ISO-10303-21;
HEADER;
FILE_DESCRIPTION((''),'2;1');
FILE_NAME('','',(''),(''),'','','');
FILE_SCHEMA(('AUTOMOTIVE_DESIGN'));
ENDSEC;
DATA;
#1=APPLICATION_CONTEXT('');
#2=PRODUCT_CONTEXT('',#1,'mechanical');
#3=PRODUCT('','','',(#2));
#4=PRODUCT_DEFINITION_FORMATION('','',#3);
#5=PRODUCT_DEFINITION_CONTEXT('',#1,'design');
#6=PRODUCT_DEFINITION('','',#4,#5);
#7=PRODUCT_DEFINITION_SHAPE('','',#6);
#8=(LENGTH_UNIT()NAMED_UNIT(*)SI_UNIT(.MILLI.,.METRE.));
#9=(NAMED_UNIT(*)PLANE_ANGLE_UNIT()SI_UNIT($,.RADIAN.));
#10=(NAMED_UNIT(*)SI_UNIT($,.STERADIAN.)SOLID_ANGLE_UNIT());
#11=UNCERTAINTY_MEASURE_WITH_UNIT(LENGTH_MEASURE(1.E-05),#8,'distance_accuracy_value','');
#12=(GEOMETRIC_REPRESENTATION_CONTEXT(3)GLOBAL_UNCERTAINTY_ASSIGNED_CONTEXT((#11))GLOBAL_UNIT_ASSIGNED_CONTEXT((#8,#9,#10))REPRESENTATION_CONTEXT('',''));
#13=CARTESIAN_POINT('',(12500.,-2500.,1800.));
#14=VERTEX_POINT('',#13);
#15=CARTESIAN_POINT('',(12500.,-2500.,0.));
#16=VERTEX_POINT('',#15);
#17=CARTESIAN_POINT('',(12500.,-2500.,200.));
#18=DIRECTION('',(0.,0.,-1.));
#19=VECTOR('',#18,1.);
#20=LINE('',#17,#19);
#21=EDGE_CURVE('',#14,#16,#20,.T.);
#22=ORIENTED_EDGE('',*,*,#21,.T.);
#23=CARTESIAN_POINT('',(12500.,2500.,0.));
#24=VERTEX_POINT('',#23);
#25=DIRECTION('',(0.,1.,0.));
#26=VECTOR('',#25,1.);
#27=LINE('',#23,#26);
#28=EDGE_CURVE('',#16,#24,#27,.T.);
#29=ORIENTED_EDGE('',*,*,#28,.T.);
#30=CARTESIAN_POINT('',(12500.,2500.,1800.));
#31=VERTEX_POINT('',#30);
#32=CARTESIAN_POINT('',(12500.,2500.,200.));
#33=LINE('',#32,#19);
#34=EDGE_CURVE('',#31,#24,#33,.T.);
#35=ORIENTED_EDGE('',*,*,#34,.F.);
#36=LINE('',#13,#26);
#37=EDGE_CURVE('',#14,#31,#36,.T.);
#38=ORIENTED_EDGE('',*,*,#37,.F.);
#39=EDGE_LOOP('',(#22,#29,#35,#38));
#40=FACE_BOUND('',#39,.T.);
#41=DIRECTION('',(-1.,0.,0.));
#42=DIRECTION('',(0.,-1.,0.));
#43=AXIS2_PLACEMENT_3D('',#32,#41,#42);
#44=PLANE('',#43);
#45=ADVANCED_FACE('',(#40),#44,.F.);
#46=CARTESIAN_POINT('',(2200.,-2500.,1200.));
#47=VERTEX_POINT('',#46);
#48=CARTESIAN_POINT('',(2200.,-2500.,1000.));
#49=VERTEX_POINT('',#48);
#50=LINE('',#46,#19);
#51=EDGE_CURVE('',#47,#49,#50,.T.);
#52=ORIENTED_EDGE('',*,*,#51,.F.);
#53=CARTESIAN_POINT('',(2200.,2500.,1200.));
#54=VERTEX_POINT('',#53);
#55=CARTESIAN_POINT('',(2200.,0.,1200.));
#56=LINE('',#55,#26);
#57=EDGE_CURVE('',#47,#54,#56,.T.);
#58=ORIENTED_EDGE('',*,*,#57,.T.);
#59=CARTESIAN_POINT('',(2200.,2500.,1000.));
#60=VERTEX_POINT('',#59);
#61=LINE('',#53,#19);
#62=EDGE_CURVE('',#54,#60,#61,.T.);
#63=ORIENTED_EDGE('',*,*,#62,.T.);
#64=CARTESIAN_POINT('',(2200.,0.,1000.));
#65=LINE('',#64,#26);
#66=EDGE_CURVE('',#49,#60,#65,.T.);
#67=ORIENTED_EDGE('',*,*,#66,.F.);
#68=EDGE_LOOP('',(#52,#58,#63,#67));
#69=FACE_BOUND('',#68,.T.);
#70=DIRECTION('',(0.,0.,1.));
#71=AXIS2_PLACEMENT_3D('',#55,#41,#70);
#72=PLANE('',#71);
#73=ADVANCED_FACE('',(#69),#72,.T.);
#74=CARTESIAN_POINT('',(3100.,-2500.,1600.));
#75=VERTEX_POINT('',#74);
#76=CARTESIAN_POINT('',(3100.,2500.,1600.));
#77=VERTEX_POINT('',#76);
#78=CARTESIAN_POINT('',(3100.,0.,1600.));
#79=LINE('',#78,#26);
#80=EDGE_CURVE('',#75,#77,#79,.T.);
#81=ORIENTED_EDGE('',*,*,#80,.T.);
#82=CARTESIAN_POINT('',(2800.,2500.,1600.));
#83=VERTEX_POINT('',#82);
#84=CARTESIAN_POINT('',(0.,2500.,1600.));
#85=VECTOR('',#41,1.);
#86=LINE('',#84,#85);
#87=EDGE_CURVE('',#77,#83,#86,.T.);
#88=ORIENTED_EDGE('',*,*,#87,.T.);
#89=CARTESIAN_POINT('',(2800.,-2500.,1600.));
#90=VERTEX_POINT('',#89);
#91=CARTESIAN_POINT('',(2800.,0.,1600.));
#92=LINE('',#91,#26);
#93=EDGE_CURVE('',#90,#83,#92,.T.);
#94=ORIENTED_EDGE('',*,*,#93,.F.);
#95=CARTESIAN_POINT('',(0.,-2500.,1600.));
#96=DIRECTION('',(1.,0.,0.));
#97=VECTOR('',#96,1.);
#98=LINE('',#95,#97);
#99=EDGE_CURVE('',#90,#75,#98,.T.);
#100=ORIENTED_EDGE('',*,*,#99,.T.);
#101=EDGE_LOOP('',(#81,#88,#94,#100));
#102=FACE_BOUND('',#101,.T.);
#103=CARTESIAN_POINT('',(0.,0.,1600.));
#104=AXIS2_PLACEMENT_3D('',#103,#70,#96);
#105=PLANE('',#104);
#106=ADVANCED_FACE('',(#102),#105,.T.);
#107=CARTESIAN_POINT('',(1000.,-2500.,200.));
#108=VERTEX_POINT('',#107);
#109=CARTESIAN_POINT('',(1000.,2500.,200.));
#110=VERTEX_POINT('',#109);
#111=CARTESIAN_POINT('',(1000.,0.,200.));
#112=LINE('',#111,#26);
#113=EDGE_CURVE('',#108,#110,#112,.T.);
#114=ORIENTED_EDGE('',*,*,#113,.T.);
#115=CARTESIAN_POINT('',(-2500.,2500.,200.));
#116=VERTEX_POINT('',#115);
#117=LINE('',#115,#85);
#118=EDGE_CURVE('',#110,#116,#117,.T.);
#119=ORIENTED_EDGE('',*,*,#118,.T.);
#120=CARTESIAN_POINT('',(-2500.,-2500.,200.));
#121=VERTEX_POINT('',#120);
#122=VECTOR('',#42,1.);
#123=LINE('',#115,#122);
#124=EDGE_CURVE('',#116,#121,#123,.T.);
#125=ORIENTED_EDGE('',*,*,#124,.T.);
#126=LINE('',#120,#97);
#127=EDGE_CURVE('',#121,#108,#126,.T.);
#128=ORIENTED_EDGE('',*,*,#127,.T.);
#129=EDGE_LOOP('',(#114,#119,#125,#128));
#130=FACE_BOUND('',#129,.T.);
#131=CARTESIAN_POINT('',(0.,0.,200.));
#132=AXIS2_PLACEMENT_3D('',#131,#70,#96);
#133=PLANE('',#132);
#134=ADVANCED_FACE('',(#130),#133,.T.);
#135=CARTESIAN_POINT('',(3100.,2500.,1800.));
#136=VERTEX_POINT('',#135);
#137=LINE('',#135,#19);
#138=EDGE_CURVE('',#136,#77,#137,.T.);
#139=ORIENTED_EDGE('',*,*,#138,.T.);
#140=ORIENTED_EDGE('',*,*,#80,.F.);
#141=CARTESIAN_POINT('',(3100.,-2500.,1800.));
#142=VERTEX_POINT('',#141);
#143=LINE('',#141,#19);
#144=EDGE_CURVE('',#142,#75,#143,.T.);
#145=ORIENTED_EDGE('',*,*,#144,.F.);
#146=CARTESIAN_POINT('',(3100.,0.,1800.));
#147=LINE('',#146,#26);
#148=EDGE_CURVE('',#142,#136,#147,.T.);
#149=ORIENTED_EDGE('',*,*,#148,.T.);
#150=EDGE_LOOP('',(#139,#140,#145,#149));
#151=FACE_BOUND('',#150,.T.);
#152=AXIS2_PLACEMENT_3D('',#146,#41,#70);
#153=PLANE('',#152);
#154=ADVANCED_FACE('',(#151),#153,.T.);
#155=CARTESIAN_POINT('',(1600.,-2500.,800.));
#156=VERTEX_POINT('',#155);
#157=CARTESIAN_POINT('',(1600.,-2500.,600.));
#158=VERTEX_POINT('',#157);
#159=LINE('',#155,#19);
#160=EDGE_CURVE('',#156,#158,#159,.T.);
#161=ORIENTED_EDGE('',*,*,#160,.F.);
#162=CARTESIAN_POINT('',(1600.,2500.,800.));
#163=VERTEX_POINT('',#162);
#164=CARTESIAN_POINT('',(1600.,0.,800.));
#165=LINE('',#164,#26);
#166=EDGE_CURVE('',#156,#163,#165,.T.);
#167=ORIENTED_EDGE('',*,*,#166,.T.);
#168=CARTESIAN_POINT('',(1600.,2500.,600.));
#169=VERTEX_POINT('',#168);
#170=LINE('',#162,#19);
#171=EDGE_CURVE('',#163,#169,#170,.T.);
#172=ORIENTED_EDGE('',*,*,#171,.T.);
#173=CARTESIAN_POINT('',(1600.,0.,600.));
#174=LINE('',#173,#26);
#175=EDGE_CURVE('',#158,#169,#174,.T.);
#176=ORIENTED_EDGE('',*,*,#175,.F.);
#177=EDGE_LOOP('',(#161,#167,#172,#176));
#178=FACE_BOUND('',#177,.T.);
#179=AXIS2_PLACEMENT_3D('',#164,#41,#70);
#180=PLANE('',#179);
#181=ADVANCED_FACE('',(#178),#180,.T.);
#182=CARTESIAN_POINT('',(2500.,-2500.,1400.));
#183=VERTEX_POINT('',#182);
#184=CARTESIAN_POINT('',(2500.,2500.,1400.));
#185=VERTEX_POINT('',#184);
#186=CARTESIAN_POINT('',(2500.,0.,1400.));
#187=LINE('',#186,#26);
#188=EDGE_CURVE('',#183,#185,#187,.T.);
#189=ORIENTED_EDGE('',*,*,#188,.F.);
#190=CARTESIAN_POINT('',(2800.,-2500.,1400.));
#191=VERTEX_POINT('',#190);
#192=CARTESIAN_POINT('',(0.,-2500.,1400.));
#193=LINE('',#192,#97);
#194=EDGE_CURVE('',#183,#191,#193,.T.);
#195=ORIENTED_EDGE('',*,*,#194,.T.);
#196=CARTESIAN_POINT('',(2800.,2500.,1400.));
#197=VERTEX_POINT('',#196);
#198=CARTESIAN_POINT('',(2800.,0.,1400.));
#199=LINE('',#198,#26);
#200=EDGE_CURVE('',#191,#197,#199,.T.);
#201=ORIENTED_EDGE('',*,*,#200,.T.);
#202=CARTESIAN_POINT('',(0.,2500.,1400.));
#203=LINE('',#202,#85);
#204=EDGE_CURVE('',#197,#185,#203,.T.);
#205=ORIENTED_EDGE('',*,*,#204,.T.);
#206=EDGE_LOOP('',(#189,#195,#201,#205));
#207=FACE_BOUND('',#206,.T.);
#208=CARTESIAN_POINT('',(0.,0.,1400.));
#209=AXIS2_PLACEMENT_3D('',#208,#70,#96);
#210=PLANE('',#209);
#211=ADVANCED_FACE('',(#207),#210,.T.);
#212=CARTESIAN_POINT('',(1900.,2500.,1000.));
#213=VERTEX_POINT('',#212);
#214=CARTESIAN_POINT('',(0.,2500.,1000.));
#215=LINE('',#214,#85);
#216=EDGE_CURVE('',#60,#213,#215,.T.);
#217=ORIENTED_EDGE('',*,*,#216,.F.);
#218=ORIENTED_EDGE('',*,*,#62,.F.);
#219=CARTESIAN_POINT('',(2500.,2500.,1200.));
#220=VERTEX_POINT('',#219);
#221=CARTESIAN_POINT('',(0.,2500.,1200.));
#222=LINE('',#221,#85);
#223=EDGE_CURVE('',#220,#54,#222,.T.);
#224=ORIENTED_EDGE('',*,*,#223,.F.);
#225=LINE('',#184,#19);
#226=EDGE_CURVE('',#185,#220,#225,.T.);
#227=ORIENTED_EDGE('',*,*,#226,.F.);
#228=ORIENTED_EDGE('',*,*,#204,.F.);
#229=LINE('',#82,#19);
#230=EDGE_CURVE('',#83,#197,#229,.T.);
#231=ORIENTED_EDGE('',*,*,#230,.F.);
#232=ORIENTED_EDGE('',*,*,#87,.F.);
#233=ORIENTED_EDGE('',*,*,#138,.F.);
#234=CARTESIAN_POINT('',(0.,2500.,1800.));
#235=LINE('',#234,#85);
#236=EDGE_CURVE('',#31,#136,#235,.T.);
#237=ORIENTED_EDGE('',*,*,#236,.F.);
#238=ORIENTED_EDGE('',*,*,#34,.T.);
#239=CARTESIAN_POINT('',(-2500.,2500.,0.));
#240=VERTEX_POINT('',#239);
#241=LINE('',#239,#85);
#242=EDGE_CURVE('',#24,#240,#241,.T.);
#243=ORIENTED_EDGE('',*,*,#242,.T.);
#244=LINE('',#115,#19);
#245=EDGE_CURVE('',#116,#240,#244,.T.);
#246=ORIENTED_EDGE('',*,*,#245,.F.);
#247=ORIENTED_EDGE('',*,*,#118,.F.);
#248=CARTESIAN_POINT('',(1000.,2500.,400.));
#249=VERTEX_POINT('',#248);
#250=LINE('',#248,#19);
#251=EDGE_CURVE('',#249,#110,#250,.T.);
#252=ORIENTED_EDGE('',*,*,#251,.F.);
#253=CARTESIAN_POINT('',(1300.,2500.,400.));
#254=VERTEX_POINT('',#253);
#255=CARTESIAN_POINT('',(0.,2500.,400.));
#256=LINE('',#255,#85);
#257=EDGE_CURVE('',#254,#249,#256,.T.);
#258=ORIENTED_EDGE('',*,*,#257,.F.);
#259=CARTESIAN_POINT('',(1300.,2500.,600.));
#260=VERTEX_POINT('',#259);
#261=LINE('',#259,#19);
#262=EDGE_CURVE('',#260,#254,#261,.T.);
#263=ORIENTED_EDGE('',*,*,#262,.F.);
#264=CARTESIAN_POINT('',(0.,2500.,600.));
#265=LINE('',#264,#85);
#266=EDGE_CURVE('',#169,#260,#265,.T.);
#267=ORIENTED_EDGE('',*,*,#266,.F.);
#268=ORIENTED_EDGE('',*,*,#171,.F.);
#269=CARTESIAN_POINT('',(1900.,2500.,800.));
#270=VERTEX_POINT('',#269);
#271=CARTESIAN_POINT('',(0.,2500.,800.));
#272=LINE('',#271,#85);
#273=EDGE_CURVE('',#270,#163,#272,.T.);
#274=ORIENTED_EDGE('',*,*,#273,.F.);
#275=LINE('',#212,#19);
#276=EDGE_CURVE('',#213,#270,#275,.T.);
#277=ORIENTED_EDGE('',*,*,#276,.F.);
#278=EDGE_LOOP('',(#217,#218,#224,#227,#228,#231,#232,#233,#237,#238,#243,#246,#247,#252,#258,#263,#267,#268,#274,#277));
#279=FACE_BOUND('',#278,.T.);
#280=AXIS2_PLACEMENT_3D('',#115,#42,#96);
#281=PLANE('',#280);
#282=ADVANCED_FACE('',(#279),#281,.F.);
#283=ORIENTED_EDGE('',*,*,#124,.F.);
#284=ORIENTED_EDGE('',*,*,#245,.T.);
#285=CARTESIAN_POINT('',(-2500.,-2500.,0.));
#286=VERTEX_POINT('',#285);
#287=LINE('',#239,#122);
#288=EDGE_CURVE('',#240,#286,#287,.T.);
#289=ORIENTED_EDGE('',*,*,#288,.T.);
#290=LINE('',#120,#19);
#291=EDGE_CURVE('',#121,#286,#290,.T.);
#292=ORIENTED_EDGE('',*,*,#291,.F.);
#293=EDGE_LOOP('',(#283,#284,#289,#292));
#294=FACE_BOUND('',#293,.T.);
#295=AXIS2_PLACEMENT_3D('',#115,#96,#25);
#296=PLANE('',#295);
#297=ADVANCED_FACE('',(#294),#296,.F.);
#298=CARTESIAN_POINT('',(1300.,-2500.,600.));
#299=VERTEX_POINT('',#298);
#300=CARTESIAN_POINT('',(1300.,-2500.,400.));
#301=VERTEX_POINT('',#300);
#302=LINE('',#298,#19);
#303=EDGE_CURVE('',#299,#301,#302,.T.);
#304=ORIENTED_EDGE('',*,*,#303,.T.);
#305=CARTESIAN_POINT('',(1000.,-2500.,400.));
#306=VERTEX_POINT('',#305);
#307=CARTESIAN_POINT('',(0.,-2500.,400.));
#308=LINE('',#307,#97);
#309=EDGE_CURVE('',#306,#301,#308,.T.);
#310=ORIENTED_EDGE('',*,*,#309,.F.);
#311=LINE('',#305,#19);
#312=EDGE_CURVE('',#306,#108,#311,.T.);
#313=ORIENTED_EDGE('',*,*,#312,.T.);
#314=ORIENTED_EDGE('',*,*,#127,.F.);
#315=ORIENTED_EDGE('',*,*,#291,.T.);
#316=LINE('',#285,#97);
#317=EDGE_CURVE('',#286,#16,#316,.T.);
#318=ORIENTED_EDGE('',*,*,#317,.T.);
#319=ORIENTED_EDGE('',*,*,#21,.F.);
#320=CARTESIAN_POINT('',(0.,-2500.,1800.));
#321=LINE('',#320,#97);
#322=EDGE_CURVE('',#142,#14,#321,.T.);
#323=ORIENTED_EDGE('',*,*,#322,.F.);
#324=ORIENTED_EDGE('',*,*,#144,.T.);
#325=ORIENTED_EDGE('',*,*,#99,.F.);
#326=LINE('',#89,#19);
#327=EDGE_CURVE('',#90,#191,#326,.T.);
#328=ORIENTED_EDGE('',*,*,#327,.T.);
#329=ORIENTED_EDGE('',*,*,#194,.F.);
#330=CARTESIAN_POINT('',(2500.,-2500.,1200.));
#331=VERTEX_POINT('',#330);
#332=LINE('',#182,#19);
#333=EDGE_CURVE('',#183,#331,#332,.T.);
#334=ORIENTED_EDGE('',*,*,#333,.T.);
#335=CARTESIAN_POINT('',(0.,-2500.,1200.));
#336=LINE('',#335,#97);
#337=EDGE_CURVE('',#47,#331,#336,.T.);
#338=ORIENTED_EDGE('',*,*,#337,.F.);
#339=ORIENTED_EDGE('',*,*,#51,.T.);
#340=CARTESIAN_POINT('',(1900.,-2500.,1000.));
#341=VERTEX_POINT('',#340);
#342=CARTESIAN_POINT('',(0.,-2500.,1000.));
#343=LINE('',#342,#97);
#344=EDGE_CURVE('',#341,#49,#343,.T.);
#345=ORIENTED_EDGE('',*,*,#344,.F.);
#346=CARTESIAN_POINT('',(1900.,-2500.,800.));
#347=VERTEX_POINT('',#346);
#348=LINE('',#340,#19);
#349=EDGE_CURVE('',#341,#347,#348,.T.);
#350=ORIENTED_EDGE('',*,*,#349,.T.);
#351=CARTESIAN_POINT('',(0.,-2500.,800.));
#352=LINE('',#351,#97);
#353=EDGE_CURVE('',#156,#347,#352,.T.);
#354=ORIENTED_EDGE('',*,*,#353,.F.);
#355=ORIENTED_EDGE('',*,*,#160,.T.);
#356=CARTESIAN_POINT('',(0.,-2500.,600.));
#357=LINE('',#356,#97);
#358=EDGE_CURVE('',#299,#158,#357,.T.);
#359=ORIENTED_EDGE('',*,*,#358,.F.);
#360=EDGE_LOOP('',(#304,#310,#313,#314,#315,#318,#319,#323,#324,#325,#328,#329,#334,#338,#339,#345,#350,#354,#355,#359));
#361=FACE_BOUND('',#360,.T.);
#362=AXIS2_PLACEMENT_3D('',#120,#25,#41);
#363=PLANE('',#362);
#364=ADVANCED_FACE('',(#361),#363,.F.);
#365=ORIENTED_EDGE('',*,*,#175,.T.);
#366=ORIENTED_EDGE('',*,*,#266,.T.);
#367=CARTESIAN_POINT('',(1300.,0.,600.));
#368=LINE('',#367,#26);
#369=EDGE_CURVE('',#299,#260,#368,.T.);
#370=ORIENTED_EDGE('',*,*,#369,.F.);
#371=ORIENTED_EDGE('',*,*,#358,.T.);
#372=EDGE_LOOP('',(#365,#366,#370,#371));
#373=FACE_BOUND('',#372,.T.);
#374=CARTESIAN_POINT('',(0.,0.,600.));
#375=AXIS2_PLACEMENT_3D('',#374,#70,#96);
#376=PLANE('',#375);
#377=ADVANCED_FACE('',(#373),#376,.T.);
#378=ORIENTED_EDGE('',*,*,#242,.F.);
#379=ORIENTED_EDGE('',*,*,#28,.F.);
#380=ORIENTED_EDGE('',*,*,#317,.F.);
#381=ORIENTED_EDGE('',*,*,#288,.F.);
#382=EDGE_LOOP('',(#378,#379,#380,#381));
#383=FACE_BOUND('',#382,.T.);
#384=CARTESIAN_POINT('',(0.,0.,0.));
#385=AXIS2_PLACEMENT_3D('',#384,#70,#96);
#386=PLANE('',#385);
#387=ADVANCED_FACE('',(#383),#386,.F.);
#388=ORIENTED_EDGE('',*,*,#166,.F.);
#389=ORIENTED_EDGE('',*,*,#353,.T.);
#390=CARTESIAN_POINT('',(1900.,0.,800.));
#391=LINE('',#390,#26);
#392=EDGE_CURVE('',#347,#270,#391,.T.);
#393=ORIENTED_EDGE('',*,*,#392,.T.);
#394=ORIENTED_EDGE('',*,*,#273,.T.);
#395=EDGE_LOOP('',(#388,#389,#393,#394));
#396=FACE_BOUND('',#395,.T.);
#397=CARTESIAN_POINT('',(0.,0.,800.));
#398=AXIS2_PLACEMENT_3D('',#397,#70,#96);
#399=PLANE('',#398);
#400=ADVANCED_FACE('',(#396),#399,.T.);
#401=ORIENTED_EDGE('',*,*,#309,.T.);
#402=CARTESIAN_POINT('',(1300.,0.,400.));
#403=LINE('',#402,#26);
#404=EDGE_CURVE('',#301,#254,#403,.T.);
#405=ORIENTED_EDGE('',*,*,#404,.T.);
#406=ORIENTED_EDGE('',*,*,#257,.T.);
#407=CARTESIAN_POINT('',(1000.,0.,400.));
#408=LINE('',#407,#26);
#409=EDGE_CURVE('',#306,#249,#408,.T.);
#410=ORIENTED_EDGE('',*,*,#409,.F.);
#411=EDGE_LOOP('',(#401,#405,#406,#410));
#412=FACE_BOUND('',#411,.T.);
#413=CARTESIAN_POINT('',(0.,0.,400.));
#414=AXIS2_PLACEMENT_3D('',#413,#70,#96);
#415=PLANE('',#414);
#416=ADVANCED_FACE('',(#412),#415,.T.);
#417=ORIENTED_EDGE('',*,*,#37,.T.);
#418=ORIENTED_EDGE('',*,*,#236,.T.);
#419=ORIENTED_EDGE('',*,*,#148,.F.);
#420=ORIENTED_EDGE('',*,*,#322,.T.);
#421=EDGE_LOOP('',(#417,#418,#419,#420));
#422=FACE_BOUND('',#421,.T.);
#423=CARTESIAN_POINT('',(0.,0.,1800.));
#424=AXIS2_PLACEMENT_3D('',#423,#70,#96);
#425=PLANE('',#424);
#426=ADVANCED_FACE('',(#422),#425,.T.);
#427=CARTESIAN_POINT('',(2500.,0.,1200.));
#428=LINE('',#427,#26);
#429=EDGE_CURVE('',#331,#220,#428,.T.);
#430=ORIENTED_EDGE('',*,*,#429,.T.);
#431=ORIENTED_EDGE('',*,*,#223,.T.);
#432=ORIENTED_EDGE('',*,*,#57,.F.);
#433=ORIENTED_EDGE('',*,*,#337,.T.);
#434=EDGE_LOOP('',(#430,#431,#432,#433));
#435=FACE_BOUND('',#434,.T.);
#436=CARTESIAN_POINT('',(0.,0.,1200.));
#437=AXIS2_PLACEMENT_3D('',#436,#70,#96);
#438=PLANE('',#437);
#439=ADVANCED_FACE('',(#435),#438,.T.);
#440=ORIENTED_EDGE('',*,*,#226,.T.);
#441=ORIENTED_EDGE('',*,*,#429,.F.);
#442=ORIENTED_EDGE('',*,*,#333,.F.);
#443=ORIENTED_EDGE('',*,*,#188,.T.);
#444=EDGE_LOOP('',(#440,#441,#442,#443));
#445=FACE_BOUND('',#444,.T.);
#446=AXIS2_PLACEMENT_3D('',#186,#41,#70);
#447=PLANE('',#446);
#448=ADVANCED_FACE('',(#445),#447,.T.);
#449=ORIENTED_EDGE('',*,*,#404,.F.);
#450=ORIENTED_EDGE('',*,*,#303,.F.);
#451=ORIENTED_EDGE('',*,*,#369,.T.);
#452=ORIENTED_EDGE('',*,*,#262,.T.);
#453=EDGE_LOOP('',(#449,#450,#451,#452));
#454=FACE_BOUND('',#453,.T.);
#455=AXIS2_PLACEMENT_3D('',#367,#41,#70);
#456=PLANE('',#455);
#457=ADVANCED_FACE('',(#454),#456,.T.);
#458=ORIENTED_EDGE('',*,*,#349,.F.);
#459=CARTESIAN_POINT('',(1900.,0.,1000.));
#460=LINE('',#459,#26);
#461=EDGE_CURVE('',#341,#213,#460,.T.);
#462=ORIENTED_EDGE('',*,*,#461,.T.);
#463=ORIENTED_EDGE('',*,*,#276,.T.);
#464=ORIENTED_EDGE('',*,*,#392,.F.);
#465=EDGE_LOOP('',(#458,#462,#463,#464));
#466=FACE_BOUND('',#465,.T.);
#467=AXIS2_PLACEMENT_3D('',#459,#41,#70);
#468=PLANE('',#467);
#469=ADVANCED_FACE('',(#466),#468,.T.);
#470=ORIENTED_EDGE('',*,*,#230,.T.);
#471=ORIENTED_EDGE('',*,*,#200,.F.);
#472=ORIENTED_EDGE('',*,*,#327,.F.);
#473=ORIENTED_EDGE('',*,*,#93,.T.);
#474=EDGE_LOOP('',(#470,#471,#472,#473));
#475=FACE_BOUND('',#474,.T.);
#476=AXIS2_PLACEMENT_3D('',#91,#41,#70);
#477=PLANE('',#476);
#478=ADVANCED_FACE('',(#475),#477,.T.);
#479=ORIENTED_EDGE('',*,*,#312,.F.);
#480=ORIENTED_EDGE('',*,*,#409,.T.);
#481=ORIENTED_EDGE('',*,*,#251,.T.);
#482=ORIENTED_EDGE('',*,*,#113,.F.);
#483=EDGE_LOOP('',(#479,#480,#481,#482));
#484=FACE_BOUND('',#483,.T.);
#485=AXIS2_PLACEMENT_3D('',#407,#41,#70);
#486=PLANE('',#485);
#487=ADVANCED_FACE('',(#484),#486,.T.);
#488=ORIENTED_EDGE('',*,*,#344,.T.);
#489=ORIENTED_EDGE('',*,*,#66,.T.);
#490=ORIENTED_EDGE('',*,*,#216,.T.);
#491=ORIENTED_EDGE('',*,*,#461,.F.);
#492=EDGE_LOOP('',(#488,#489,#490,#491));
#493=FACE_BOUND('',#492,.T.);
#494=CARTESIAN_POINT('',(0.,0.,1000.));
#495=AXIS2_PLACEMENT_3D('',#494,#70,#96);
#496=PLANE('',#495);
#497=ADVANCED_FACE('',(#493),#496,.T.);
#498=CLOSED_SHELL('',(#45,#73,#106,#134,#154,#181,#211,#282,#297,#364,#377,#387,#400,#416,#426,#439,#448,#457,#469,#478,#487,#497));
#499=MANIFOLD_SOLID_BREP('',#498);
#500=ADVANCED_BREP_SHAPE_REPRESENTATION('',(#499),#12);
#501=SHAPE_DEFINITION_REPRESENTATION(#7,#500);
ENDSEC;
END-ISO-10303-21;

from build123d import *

# Parameters (mm, degrees)
SKETCH3_W            = 15000
SKETCH3_H            = 5000
BOSS_EXTRUDE1_DEPTH  = 200
SKETCH4_W            = 300
SKETCH4_H            = 5000
STEP1_DEPTH          = 200
SKETCH4_4_W          = 300
SKETCH4_4_H          = 5000
STEP2_DEPTH          = 400
SKETCH4_5_W          = 300
SKETCH4_5_H          = 5000
STEP3_DEPTH          = 600
SKETCH4_6_W          = 300
SKETCH4_6_H          = 5000
STEP4_DEPTH          = 800
SKETCH4_7_W          = 300
SKETCH4_7_H          = 5000
BOSS_EXTRUDE7_DEPTH  = 1000
SKETCH4_8_W          = 300
SKETCH4_8_H          = 5000
BOSS_EXTRUDE8_DEPTH  = 1200
SKETCH4_9_W          = 300
SKETCH4_9_H          = 5000
BOSS_EXTRUDE9_DEPTH  = 1400
SKETCH4_10_W         = 300
SKETCH4_10_H         = 5000
BOSS_EXTRUDE10_DEPTH = 1600
SKETCH8_W            = 9100
SKETCH8_H            = 5000
BOSS_EXTRUDE11_DEPTH = 1600


with BuildPart() as part:
    # Sketch3 → Boss-Extrude1 (new body)
    with BuildSketch(Plane.XY):
        with Locations((5000, 0)):
            Rectangle(SKETCH3_W, SKETCH3_H)
    extrude(amount=BOSS_EXTRUDE1_DEPTH)

    # Sketch4 → Step1 (add)
    with BuildSketch(Plane.XY.offset(200)):
        with Locations((1150, 0)):
            Rectangle(SKETCH4_W, SKETCH4_H)
    extrude(amount=STEP1_DEPTH)

    # Sketch4<4> → Step2 (add)
    with BuildSketch(Plane.XY.offset(200)):
        with Locations((1450, 0)):
            Rectangle(SKETCH4_4_W, SKETCH4_4_H)
    extrude(amount=STEP2_DEPTH)

    # Sketch4<5> → Step3 (add)
    with BuildSketch(Plane.XY.offset(200)):
        with Locations((1750, 0)):
            Rectangle(SKETCH4_5_W, SKETCH4_5_H)
    extrude(amount=STEP3_DEPTH)

    # Sketch4<6> → Step4 (add)
    with BuildSketch(Plane.XY.offset(200)):
        with Locations((2050, 0)):
            Rectangle(SKETCH4_6_W, SKETCH4_6_H)
    extrude(amount=STEP4_DEPTH)

    # Sketch4<7> → Boss-Extrude7 (add)
    with BuildSketch(Plane.XY.offset(200)):
        with Locations((2350, 0)):
            Rectangle(SKETCH4_7_W, SKETCH4_7_H)
    extrude(amount=BOSS_EXTRUDE7_DEPTH)

    # Sketch4<8> → Boss-Extrude8 (add)
    with BuildSketch(Plane.XY.offset(200)):
        with Locations((2650, 0)):
            Rectangle(SKETCH4_8_W, SKETCH4_8_H)
    extrude(amount=BOSS_EXTRUDE8_DEPTH)

    # Sketch4<9> → Boss-Extrude9 (add)
    with BuildSketch(Plane.XY.offset(200)):
        with Locations((2950, 0)):
            Rectangle(SKETCH4_9_W, SKETCH4_9_H)
    extrude(amount=BOSS_EXTRUDE9_DEPTH)

    # Sketch4<10> → Boss-Extrude10 (add)
    with BuildSketch(Plane.XY.offset(200)):
        with Locations((3250, 0)):
            Rectangle(SKETCH4_10_W, SKETCH4_10_H)
    extrude(amount=BOSS_EXTRUDE10_DEPTH)

    # Sketch8 → Boss-Extrude11 (add)
    with BuildSketch(Plane.XY.offset(200)):
        with Locations((7950, 0)):
            Rectangle(SKETCH8_W, SKETCH8_H)
    extrude(amount=BOSS_EXTRUDE11_DEPTH)


solid = part.part
